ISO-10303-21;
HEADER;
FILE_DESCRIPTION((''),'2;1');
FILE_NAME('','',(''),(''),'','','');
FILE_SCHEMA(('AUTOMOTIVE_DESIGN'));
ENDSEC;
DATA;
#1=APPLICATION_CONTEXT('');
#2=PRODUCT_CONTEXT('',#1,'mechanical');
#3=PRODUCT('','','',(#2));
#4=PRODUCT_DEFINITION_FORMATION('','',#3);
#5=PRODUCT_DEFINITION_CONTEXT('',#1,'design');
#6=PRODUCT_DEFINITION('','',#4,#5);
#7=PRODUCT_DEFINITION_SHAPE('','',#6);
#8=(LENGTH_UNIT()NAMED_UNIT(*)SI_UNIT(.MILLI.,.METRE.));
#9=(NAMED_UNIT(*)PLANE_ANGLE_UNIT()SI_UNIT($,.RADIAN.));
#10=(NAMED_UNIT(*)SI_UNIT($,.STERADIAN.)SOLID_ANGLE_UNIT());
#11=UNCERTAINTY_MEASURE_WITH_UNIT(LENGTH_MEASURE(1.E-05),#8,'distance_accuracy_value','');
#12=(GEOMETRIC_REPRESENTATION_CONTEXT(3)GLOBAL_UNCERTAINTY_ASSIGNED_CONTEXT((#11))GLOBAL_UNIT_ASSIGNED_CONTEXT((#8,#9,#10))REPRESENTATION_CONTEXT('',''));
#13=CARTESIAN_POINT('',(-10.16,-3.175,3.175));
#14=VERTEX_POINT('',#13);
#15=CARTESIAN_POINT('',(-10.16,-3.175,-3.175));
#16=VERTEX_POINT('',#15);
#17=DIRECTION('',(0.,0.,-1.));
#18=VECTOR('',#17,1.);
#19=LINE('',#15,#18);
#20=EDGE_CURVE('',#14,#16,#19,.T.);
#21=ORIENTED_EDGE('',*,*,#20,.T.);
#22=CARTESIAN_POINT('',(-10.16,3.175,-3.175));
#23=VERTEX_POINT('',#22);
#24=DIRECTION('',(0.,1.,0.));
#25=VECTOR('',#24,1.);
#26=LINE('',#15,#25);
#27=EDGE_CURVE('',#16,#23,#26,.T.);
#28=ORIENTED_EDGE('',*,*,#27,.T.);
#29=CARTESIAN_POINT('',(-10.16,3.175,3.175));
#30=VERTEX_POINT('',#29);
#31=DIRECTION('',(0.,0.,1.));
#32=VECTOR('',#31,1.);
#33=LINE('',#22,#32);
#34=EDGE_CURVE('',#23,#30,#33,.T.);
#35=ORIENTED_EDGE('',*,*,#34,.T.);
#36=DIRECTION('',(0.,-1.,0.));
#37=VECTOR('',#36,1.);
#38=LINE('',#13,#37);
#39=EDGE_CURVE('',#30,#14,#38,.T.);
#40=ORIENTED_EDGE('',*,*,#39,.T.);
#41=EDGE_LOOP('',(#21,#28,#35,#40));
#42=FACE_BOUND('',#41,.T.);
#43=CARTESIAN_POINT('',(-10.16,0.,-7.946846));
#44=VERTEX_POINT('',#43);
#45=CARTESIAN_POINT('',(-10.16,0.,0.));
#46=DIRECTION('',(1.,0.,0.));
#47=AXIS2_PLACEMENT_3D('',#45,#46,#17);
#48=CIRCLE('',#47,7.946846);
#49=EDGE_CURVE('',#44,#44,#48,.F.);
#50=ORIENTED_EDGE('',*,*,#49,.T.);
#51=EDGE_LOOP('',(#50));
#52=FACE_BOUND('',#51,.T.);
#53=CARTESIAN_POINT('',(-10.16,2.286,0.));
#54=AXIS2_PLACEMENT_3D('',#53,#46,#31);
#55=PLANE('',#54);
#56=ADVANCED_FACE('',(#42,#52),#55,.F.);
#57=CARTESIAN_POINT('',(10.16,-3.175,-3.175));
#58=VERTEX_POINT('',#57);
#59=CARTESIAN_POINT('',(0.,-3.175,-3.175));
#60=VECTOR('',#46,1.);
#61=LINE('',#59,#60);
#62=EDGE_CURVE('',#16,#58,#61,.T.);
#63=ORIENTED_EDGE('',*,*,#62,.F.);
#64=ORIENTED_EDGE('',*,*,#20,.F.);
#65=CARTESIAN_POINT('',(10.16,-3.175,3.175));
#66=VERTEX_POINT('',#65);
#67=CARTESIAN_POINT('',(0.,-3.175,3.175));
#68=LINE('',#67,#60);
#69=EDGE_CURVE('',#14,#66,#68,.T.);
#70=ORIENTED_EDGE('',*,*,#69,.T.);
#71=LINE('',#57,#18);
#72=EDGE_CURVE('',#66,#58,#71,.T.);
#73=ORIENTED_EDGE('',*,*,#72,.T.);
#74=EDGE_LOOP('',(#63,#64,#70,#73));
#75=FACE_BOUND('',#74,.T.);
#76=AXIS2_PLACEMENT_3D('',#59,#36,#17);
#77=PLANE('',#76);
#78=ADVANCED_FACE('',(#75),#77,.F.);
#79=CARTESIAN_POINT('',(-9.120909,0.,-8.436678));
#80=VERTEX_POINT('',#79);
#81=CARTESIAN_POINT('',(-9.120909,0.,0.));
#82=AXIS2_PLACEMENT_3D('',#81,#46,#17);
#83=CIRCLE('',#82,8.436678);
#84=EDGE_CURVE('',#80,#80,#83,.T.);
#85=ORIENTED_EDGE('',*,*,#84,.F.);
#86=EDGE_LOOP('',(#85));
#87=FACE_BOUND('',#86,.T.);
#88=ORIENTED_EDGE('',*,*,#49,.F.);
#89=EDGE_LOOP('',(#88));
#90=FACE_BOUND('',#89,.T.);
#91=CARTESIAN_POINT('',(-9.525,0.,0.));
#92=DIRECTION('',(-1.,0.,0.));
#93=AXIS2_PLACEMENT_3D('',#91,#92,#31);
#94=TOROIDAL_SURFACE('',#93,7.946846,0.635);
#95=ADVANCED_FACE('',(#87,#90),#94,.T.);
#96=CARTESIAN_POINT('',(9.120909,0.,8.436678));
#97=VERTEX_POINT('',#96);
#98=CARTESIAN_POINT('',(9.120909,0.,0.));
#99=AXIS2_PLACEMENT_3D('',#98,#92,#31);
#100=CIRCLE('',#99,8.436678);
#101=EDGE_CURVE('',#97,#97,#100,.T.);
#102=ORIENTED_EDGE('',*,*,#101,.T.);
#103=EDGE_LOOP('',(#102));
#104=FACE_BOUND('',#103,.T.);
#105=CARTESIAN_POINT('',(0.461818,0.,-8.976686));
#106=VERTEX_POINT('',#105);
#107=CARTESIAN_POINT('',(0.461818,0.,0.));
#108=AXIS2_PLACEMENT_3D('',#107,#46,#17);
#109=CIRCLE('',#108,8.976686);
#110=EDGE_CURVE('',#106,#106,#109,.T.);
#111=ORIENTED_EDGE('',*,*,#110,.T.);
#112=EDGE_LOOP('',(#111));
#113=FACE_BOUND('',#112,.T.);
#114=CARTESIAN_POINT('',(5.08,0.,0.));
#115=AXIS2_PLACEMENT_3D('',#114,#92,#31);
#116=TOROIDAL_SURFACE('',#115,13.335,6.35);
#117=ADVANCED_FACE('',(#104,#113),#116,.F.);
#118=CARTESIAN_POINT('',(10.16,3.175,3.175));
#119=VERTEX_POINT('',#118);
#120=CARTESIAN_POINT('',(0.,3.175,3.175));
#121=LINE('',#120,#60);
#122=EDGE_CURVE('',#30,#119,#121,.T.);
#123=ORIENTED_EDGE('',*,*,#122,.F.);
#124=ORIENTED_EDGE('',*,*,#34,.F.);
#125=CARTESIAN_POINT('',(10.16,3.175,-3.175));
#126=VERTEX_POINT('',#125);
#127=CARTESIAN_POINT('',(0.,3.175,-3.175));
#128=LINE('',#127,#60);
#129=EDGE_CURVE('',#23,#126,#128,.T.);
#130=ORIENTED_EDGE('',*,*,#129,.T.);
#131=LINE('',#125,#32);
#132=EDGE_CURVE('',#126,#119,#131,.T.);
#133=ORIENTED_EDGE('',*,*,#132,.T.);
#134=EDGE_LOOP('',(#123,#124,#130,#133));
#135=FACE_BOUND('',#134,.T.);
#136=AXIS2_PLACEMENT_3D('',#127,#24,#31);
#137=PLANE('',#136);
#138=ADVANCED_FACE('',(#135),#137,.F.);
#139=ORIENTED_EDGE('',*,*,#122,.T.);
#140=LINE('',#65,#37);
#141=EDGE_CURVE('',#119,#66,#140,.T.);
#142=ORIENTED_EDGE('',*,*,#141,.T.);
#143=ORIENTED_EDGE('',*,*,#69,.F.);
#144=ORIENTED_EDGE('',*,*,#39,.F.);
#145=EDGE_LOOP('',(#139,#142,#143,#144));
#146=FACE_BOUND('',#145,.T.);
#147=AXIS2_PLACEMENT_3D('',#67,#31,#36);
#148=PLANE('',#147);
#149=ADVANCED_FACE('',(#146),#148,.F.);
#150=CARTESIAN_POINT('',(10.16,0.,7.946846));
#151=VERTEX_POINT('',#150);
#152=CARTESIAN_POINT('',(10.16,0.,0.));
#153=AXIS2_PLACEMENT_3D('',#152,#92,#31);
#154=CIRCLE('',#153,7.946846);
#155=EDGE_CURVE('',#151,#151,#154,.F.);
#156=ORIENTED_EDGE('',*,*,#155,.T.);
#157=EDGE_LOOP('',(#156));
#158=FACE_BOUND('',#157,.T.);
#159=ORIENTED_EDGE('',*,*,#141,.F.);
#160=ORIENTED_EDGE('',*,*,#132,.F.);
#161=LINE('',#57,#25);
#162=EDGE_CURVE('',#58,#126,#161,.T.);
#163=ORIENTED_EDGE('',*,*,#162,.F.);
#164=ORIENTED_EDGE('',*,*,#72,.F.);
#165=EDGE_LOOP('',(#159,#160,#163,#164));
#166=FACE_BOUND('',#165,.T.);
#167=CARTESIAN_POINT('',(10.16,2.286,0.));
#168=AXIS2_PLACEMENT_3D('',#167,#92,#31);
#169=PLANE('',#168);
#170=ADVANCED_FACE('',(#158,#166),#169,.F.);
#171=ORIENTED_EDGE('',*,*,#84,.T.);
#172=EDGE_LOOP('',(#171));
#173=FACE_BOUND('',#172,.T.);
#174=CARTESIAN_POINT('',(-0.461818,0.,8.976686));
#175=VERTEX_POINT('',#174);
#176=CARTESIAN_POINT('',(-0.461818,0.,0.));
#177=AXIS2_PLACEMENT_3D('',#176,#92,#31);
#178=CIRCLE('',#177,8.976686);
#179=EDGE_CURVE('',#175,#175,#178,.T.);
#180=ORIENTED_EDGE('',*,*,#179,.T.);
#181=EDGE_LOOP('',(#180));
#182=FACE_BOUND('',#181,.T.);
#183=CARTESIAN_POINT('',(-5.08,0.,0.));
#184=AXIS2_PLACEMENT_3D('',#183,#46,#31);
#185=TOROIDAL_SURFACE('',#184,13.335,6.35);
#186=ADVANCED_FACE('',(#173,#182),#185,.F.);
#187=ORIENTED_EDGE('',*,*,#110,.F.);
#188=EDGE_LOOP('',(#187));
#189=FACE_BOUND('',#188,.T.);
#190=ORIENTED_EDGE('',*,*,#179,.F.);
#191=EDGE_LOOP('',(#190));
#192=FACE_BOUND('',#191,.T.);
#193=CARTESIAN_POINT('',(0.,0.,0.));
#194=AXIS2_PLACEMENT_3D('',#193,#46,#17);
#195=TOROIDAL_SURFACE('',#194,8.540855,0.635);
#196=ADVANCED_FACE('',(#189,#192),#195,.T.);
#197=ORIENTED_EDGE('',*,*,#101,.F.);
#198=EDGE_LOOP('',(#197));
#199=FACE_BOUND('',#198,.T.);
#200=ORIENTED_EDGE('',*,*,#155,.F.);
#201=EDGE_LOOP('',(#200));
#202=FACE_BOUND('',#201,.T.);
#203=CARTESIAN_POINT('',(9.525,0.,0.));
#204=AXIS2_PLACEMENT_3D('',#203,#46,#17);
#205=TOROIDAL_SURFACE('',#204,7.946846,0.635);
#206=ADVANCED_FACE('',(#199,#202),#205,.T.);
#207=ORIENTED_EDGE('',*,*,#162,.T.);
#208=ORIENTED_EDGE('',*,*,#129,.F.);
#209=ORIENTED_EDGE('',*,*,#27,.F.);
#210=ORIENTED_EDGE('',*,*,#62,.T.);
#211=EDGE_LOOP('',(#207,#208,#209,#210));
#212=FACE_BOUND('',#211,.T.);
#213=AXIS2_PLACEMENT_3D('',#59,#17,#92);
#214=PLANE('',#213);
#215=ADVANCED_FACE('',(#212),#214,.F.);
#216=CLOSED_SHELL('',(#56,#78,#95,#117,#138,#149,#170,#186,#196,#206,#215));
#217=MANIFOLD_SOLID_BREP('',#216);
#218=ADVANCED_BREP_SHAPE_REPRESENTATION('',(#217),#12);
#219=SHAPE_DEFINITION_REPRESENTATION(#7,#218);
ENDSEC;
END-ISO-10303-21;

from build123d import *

# Parameters (mm, degrees)
SKETCH3_W          = 6.35
SKETCH3_H          = 6.35
CUT_EXTRUDE1_DEPTH = 17.872369425
FILLET1_R          = 0.635


with BuildPart() as part:
    # Sketch2 → Revolve1 (revolve)
    with BuildSketch(Plane.XY, mode=Mode.PRIVATE) as revolve1_sk:
        with BuildLine():
            Line((0, 2.286), (10.16, 2.286))
            Line((10.16, 2.286), (10.16, 9.525))
            ThreePointArc((10.16, 9.525), (5.08, 6.985), (0, 9.525))
            Line((0, 9.525), (0, 2.286))
        make_face()
    revolve1 = revolve(revolve1_sk.sketch.rotate(Axis((0, 0, 0), (1, 0, 0)), 90), axis=Axis((0, 0, 0), (1, 0, 0)))

    # Sketch3 → Cut-Extrude1 (cut, through all)
    with BuildSketch(Plane(origin=(10.16, 0, 0), x_dir=(0, 0, -1), z_dir=(1, 0, 0))):
        Rectangle(SKETCH3_W, SKETCH3_H)
    cut_extrude1 = extrude(amount=-CUT_EXTRUDE1_DEPTH, mode=Mode.SUBTRACT)

    # Mirror1: Revolve1, Cut-Extrude1 across plane
    add(revolve1.mirror(Plane(origin=(0, 2.286, 0), x_dir=(0, 0, 1), z_dir=(1, 0, 0))))
    add(cut_extrude1.mirror(Plane(origin=(0, 2.286, 0), x_dir=(0, 0, 1), z_dir=(1, 0, 0))), mode=Mode.SUBTRACT)

    # Fillet1
    fillet1_edges = [part.edges().sort_by_distance(p)[0] for p in [
        (-10.16, 0, -9.525),
        (0, 0, -9.525),
        (10.16, 0, -9.525),
    ]]
    fillet(fillet1_edges, radius=FILLET1_R)


solid = part.part
